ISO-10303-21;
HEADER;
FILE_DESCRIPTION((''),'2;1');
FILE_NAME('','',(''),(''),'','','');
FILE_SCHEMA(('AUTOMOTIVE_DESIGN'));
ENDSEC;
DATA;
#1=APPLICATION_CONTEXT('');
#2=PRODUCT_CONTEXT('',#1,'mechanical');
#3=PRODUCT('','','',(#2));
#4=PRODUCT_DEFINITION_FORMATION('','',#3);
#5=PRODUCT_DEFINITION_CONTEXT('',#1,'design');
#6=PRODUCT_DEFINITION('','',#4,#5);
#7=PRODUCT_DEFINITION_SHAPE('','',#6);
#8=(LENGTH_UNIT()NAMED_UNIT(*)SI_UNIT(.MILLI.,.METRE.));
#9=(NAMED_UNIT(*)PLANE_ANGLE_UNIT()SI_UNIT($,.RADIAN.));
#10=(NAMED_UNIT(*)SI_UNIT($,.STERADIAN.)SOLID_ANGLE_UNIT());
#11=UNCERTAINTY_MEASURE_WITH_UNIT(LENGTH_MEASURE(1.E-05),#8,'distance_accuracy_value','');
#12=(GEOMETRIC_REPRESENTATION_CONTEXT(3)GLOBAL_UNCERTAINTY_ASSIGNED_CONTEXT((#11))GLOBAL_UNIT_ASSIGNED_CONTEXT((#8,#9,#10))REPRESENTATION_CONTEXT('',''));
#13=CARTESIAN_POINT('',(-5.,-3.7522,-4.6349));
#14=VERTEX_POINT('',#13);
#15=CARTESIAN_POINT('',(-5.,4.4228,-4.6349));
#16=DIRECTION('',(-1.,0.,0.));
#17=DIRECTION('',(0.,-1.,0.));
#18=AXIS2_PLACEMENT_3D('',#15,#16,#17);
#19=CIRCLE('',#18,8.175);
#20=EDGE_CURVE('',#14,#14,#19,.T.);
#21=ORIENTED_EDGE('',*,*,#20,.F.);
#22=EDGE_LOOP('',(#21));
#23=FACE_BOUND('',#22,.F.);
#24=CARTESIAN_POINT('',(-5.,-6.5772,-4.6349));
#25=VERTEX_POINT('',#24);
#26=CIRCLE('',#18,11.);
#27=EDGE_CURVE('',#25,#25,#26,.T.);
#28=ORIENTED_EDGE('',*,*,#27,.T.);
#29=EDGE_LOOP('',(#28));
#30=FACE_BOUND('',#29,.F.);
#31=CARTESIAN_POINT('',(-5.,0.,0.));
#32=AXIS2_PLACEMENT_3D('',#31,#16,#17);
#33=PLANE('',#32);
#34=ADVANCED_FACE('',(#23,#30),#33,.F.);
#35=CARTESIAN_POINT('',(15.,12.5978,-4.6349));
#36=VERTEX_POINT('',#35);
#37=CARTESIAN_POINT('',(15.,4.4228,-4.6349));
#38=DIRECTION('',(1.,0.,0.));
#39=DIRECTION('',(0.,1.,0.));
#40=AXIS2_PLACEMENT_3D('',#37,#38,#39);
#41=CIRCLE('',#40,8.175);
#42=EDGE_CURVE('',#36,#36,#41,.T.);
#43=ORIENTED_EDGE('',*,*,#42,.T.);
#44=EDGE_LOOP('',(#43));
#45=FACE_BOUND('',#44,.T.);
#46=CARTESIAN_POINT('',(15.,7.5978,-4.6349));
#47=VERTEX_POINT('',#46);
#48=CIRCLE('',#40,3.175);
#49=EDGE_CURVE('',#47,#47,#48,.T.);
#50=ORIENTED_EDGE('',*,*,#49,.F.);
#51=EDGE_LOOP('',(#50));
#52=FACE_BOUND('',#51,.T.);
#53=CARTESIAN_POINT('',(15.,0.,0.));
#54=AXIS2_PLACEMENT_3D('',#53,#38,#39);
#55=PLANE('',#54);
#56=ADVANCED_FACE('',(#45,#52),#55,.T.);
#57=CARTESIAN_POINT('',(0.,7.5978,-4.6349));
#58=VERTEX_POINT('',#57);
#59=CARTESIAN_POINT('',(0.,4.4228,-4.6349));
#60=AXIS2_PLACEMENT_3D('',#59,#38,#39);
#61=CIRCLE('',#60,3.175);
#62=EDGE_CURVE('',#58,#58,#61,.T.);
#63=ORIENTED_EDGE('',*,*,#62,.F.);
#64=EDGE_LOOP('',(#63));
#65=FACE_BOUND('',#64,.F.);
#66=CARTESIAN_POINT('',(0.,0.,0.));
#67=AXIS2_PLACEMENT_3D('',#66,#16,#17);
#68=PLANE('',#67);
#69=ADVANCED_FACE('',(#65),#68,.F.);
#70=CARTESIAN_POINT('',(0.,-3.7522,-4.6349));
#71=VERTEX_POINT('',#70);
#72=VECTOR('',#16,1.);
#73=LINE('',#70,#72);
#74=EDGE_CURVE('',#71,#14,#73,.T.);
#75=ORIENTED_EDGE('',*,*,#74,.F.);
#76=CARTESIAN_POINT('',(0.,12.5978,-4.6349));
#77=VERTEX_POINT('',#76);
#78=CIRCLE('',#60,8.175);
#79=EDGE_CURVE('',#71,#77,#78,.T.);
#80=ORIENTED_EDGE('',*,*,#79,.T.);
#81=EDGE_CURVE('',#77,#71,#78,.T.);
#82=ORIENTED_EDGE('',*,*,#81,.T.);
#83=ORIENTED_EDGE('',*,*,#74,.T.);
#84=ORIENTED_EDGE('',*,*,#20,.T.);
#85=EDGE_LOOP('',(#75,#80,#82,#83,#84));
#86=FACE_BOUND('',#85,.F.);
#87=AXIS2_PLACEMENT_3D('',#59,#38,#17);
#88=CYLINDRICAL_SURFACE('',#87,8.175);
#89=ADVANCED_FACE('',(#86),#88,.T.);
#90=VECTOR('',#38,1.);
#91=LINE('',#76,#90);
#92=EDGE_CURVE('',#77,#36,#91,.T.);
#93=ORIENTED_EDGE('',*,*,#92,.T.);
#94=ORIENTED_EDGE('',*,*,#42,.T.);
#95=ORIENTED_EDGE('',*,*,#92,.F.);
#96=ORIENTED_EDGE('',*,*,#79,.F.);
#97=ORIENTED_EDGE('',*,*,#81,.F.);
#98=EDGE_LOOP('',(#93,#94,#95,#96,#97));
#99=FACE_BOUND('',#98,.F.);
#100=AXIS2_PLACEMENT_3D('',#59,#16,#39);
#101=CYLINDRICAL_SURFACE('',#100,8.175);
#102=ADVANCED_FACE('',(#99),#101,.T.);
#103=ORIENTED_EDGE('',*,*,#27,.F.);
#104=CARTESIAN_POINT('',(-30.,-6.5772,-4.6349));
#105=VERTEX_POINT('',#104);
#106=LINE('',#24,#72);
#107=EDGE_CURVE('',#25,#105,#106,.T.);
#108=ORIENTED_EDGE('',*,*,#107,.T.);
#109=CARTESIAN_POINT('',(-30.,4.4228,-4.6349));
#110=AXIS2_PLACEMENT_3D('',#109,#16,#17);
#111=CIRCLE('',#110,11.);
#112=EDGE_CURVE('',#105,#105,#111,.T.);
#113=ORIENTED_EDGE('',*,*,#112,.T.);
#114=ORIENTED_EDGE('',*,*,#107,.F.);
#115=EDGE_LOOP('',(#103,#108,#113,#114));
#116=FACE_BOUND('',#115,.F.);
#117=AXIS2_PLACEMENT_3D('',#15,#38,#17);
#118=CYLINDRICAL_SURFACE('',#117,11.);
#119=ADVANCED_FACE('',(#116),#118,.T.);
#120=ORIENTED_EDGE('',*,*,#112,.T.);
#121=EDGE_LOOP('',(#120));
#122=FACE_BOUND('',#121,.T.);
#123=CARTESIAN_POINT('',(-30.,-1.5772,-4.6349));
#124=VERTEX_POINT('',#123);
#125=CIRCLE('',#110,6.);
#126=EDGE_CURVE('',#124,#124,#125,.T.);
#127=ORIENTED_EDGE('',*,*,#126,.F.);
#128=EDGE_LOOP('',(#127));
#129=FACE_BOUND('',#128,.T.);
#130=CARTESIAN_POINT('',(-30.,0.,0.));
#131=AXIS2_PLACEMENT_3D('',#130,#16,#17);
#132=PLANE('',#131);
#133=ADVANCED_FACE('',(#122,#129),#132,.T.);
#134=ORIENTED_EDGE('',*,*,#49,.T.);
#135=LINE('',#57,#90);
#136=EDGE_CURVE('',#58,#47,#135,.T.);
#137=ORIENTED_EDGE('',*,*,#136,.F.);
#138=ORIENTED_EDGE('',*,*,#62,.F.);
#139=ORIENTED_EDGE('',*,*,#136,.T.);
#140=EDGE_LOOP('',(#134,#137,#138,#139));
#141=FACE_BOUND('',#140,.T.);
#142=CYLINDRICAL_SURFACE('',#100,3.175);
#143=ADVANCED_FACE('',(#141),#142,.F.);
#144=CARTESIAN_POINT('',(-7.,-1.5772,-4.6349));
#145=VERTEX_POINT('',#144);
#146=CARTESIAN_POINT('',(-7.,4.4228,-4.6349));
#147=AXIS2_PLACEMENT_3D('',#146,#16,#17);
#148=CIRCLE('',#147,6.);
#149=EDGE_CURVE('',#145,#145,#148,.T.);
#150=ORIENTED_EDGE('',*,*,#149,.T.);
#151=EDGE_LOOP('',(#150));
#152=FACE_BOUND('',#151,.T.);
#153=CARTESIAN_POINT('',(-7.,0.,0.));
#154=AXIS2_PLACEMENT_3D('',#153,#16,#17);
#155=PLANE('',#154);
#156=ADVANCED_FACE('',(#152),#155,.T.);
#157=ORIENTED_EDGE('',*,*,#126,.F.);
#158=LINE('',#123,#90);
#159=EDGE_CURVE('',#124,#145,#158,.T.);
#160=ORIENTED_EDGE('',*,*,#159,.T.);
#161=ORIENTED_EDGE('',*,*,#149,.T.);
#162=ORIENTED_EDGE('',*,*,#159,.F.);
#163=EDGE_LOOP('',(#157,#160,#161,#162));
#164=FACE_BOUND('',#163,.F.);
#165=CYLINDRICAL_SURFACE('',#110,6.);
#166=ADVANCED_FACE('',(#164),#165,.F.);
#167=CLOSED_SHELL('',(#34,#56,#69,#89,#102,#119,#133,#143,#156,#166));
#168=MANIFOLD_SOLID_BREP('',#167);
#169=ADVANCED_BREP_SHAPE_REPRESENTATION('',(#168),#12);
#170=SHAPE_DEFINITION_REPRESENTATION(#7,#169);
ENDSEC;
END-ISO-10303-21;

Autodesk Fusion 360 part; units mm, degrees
sketch "Boceto1" plane through (0, 0, 0) normal (1, 0, 0) x (0, 1, 0)
  circle A0 centre (4.4228, -4.6349) radius 3.175
  circle A1 centre (4.4228, -4.6349) radius 8.175
  dimension "d1" = 6.35
  dimension "d2" = 5
extrude "Extruir1" add sketch "Boceto1" along normal blind 15
sketch "Boceto2" plane through (0, 0, 0) normal (-1, 0, 0) x (0, -1, 0)
  circle A0 centre (-4.4228, -4.6349) radius 3.175
  circle A1 centre (-4.4228, -4.6349) radius 8.175
  circle A2 centre (-4.4228, -4.6349) radius 8.175
extrude "Extruir2" add sketch "Boceto2" along normal blind 5 contours A0 | A1 A2
sketch "Boceto3" plane through (-5, 0, 0) normal (-1, 0, 0) x (0, -1, 0)
  circle A0 centre (-4.4228, -4.6349) radius 8.175
  circle A1 centre (-4.4228, -4.6349) radius 11
  dimension "d7" = 22
extrude "Extruir3" add sketch "Boceto3" along normal blind 25 contours A0 | A1
sketch "Boceto4" plane through (-30, 0, 0) normal (-1, 0, 0) x (0, -1, 0)
  circle A0 centre (-4.4228, -4.6349) radius 11
  circle A1 centre (-4.4228, -4.6349) radius 6
  dimension "d10" = 12
extrude "Extruir4" cut sketch "Boceto4" against normal blind 23 contours A1
